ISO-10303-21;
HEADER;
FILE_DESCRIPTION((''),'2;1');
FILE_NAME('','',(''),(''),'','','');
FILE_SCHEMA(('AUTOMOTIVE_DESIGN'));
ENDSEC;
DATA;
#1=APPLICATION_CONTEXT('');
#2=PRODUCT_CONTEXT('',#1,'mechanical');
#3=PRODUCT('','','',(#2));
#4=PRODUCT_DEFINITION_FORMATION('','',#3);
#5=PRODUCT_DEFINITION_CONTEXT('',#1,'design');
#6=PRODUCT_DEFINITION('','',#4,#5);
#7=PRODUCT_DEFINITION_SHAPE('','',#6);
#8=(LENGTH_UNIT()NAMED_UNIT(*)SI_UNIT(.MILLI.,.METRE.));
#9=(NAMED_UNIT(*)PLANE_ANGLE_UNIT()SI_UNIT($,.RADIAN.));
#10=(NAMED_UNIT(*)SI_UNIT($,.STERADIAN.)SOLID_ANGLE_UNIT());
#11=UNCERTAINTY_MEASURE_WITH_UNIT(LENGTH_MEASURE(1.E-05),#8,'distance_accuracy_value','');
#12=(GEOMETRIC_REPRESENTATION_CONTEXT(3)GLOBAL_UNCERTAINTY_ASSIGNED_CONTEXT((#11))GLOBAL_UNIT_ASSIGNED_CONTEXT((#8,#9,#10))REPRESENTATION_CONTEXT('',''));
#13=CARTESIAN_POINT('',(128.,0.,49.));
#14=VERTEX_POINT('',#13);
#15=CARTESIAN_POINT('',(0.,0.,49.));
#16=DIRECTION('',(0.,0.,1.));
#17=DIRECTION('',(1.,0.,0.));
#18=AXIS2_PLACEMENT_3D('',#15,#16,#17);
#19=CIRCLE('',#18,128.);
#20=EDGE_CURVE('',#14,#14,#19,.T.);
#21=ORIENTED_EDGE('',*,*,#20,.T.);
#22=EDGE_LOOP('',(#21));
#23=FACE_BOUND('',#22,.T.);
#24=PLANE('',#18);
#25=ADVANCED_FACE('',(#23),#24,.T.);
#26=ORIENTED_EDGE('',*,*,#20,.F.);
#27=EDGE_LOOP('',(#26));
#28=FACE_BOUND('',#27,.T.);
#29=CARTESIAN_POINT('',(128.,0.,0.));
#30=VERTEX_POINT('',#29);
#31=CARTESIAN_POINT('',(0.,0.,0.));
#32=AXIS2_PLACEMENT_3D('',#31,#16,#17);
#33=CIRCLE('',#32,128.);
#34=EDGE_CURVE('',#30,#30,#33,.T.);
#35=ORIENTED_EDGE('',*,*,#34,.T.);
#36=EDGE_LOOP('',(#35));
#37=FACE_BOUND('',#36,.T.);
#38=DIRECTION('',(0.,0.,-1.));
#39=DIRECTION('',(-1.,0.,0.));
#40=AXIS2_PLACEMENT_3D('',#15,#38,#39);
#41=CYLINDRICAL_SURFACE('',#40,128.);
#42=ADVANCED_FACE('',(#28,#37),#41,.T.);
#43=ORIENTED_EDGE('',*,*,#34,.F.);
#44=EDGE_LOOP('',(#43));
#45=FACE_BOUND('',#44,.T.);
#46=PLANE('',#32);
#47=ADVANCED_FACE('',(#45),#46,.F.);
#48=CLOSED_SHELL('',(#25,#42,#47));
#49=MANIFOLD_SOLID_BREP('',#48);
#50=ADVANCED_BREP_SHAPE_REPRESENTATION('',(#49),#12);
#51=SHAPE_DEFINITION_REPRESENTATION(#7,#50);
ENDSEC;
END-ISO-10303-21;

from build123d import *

# Parameters (mm, degrees)
SKETCH1_R           = 128
BOSS_EXTRUDE1_DEPTH = 49


with BuildPart() as part:
    # Sketch1 → Boss-Extrude1 (new body)
    with BuildSketch(Plane.XY):
        Circle(SKETCH1_R)
    extrude(amount=BOSS_EXTRUDE1_DEPTH)


solid = part.part
